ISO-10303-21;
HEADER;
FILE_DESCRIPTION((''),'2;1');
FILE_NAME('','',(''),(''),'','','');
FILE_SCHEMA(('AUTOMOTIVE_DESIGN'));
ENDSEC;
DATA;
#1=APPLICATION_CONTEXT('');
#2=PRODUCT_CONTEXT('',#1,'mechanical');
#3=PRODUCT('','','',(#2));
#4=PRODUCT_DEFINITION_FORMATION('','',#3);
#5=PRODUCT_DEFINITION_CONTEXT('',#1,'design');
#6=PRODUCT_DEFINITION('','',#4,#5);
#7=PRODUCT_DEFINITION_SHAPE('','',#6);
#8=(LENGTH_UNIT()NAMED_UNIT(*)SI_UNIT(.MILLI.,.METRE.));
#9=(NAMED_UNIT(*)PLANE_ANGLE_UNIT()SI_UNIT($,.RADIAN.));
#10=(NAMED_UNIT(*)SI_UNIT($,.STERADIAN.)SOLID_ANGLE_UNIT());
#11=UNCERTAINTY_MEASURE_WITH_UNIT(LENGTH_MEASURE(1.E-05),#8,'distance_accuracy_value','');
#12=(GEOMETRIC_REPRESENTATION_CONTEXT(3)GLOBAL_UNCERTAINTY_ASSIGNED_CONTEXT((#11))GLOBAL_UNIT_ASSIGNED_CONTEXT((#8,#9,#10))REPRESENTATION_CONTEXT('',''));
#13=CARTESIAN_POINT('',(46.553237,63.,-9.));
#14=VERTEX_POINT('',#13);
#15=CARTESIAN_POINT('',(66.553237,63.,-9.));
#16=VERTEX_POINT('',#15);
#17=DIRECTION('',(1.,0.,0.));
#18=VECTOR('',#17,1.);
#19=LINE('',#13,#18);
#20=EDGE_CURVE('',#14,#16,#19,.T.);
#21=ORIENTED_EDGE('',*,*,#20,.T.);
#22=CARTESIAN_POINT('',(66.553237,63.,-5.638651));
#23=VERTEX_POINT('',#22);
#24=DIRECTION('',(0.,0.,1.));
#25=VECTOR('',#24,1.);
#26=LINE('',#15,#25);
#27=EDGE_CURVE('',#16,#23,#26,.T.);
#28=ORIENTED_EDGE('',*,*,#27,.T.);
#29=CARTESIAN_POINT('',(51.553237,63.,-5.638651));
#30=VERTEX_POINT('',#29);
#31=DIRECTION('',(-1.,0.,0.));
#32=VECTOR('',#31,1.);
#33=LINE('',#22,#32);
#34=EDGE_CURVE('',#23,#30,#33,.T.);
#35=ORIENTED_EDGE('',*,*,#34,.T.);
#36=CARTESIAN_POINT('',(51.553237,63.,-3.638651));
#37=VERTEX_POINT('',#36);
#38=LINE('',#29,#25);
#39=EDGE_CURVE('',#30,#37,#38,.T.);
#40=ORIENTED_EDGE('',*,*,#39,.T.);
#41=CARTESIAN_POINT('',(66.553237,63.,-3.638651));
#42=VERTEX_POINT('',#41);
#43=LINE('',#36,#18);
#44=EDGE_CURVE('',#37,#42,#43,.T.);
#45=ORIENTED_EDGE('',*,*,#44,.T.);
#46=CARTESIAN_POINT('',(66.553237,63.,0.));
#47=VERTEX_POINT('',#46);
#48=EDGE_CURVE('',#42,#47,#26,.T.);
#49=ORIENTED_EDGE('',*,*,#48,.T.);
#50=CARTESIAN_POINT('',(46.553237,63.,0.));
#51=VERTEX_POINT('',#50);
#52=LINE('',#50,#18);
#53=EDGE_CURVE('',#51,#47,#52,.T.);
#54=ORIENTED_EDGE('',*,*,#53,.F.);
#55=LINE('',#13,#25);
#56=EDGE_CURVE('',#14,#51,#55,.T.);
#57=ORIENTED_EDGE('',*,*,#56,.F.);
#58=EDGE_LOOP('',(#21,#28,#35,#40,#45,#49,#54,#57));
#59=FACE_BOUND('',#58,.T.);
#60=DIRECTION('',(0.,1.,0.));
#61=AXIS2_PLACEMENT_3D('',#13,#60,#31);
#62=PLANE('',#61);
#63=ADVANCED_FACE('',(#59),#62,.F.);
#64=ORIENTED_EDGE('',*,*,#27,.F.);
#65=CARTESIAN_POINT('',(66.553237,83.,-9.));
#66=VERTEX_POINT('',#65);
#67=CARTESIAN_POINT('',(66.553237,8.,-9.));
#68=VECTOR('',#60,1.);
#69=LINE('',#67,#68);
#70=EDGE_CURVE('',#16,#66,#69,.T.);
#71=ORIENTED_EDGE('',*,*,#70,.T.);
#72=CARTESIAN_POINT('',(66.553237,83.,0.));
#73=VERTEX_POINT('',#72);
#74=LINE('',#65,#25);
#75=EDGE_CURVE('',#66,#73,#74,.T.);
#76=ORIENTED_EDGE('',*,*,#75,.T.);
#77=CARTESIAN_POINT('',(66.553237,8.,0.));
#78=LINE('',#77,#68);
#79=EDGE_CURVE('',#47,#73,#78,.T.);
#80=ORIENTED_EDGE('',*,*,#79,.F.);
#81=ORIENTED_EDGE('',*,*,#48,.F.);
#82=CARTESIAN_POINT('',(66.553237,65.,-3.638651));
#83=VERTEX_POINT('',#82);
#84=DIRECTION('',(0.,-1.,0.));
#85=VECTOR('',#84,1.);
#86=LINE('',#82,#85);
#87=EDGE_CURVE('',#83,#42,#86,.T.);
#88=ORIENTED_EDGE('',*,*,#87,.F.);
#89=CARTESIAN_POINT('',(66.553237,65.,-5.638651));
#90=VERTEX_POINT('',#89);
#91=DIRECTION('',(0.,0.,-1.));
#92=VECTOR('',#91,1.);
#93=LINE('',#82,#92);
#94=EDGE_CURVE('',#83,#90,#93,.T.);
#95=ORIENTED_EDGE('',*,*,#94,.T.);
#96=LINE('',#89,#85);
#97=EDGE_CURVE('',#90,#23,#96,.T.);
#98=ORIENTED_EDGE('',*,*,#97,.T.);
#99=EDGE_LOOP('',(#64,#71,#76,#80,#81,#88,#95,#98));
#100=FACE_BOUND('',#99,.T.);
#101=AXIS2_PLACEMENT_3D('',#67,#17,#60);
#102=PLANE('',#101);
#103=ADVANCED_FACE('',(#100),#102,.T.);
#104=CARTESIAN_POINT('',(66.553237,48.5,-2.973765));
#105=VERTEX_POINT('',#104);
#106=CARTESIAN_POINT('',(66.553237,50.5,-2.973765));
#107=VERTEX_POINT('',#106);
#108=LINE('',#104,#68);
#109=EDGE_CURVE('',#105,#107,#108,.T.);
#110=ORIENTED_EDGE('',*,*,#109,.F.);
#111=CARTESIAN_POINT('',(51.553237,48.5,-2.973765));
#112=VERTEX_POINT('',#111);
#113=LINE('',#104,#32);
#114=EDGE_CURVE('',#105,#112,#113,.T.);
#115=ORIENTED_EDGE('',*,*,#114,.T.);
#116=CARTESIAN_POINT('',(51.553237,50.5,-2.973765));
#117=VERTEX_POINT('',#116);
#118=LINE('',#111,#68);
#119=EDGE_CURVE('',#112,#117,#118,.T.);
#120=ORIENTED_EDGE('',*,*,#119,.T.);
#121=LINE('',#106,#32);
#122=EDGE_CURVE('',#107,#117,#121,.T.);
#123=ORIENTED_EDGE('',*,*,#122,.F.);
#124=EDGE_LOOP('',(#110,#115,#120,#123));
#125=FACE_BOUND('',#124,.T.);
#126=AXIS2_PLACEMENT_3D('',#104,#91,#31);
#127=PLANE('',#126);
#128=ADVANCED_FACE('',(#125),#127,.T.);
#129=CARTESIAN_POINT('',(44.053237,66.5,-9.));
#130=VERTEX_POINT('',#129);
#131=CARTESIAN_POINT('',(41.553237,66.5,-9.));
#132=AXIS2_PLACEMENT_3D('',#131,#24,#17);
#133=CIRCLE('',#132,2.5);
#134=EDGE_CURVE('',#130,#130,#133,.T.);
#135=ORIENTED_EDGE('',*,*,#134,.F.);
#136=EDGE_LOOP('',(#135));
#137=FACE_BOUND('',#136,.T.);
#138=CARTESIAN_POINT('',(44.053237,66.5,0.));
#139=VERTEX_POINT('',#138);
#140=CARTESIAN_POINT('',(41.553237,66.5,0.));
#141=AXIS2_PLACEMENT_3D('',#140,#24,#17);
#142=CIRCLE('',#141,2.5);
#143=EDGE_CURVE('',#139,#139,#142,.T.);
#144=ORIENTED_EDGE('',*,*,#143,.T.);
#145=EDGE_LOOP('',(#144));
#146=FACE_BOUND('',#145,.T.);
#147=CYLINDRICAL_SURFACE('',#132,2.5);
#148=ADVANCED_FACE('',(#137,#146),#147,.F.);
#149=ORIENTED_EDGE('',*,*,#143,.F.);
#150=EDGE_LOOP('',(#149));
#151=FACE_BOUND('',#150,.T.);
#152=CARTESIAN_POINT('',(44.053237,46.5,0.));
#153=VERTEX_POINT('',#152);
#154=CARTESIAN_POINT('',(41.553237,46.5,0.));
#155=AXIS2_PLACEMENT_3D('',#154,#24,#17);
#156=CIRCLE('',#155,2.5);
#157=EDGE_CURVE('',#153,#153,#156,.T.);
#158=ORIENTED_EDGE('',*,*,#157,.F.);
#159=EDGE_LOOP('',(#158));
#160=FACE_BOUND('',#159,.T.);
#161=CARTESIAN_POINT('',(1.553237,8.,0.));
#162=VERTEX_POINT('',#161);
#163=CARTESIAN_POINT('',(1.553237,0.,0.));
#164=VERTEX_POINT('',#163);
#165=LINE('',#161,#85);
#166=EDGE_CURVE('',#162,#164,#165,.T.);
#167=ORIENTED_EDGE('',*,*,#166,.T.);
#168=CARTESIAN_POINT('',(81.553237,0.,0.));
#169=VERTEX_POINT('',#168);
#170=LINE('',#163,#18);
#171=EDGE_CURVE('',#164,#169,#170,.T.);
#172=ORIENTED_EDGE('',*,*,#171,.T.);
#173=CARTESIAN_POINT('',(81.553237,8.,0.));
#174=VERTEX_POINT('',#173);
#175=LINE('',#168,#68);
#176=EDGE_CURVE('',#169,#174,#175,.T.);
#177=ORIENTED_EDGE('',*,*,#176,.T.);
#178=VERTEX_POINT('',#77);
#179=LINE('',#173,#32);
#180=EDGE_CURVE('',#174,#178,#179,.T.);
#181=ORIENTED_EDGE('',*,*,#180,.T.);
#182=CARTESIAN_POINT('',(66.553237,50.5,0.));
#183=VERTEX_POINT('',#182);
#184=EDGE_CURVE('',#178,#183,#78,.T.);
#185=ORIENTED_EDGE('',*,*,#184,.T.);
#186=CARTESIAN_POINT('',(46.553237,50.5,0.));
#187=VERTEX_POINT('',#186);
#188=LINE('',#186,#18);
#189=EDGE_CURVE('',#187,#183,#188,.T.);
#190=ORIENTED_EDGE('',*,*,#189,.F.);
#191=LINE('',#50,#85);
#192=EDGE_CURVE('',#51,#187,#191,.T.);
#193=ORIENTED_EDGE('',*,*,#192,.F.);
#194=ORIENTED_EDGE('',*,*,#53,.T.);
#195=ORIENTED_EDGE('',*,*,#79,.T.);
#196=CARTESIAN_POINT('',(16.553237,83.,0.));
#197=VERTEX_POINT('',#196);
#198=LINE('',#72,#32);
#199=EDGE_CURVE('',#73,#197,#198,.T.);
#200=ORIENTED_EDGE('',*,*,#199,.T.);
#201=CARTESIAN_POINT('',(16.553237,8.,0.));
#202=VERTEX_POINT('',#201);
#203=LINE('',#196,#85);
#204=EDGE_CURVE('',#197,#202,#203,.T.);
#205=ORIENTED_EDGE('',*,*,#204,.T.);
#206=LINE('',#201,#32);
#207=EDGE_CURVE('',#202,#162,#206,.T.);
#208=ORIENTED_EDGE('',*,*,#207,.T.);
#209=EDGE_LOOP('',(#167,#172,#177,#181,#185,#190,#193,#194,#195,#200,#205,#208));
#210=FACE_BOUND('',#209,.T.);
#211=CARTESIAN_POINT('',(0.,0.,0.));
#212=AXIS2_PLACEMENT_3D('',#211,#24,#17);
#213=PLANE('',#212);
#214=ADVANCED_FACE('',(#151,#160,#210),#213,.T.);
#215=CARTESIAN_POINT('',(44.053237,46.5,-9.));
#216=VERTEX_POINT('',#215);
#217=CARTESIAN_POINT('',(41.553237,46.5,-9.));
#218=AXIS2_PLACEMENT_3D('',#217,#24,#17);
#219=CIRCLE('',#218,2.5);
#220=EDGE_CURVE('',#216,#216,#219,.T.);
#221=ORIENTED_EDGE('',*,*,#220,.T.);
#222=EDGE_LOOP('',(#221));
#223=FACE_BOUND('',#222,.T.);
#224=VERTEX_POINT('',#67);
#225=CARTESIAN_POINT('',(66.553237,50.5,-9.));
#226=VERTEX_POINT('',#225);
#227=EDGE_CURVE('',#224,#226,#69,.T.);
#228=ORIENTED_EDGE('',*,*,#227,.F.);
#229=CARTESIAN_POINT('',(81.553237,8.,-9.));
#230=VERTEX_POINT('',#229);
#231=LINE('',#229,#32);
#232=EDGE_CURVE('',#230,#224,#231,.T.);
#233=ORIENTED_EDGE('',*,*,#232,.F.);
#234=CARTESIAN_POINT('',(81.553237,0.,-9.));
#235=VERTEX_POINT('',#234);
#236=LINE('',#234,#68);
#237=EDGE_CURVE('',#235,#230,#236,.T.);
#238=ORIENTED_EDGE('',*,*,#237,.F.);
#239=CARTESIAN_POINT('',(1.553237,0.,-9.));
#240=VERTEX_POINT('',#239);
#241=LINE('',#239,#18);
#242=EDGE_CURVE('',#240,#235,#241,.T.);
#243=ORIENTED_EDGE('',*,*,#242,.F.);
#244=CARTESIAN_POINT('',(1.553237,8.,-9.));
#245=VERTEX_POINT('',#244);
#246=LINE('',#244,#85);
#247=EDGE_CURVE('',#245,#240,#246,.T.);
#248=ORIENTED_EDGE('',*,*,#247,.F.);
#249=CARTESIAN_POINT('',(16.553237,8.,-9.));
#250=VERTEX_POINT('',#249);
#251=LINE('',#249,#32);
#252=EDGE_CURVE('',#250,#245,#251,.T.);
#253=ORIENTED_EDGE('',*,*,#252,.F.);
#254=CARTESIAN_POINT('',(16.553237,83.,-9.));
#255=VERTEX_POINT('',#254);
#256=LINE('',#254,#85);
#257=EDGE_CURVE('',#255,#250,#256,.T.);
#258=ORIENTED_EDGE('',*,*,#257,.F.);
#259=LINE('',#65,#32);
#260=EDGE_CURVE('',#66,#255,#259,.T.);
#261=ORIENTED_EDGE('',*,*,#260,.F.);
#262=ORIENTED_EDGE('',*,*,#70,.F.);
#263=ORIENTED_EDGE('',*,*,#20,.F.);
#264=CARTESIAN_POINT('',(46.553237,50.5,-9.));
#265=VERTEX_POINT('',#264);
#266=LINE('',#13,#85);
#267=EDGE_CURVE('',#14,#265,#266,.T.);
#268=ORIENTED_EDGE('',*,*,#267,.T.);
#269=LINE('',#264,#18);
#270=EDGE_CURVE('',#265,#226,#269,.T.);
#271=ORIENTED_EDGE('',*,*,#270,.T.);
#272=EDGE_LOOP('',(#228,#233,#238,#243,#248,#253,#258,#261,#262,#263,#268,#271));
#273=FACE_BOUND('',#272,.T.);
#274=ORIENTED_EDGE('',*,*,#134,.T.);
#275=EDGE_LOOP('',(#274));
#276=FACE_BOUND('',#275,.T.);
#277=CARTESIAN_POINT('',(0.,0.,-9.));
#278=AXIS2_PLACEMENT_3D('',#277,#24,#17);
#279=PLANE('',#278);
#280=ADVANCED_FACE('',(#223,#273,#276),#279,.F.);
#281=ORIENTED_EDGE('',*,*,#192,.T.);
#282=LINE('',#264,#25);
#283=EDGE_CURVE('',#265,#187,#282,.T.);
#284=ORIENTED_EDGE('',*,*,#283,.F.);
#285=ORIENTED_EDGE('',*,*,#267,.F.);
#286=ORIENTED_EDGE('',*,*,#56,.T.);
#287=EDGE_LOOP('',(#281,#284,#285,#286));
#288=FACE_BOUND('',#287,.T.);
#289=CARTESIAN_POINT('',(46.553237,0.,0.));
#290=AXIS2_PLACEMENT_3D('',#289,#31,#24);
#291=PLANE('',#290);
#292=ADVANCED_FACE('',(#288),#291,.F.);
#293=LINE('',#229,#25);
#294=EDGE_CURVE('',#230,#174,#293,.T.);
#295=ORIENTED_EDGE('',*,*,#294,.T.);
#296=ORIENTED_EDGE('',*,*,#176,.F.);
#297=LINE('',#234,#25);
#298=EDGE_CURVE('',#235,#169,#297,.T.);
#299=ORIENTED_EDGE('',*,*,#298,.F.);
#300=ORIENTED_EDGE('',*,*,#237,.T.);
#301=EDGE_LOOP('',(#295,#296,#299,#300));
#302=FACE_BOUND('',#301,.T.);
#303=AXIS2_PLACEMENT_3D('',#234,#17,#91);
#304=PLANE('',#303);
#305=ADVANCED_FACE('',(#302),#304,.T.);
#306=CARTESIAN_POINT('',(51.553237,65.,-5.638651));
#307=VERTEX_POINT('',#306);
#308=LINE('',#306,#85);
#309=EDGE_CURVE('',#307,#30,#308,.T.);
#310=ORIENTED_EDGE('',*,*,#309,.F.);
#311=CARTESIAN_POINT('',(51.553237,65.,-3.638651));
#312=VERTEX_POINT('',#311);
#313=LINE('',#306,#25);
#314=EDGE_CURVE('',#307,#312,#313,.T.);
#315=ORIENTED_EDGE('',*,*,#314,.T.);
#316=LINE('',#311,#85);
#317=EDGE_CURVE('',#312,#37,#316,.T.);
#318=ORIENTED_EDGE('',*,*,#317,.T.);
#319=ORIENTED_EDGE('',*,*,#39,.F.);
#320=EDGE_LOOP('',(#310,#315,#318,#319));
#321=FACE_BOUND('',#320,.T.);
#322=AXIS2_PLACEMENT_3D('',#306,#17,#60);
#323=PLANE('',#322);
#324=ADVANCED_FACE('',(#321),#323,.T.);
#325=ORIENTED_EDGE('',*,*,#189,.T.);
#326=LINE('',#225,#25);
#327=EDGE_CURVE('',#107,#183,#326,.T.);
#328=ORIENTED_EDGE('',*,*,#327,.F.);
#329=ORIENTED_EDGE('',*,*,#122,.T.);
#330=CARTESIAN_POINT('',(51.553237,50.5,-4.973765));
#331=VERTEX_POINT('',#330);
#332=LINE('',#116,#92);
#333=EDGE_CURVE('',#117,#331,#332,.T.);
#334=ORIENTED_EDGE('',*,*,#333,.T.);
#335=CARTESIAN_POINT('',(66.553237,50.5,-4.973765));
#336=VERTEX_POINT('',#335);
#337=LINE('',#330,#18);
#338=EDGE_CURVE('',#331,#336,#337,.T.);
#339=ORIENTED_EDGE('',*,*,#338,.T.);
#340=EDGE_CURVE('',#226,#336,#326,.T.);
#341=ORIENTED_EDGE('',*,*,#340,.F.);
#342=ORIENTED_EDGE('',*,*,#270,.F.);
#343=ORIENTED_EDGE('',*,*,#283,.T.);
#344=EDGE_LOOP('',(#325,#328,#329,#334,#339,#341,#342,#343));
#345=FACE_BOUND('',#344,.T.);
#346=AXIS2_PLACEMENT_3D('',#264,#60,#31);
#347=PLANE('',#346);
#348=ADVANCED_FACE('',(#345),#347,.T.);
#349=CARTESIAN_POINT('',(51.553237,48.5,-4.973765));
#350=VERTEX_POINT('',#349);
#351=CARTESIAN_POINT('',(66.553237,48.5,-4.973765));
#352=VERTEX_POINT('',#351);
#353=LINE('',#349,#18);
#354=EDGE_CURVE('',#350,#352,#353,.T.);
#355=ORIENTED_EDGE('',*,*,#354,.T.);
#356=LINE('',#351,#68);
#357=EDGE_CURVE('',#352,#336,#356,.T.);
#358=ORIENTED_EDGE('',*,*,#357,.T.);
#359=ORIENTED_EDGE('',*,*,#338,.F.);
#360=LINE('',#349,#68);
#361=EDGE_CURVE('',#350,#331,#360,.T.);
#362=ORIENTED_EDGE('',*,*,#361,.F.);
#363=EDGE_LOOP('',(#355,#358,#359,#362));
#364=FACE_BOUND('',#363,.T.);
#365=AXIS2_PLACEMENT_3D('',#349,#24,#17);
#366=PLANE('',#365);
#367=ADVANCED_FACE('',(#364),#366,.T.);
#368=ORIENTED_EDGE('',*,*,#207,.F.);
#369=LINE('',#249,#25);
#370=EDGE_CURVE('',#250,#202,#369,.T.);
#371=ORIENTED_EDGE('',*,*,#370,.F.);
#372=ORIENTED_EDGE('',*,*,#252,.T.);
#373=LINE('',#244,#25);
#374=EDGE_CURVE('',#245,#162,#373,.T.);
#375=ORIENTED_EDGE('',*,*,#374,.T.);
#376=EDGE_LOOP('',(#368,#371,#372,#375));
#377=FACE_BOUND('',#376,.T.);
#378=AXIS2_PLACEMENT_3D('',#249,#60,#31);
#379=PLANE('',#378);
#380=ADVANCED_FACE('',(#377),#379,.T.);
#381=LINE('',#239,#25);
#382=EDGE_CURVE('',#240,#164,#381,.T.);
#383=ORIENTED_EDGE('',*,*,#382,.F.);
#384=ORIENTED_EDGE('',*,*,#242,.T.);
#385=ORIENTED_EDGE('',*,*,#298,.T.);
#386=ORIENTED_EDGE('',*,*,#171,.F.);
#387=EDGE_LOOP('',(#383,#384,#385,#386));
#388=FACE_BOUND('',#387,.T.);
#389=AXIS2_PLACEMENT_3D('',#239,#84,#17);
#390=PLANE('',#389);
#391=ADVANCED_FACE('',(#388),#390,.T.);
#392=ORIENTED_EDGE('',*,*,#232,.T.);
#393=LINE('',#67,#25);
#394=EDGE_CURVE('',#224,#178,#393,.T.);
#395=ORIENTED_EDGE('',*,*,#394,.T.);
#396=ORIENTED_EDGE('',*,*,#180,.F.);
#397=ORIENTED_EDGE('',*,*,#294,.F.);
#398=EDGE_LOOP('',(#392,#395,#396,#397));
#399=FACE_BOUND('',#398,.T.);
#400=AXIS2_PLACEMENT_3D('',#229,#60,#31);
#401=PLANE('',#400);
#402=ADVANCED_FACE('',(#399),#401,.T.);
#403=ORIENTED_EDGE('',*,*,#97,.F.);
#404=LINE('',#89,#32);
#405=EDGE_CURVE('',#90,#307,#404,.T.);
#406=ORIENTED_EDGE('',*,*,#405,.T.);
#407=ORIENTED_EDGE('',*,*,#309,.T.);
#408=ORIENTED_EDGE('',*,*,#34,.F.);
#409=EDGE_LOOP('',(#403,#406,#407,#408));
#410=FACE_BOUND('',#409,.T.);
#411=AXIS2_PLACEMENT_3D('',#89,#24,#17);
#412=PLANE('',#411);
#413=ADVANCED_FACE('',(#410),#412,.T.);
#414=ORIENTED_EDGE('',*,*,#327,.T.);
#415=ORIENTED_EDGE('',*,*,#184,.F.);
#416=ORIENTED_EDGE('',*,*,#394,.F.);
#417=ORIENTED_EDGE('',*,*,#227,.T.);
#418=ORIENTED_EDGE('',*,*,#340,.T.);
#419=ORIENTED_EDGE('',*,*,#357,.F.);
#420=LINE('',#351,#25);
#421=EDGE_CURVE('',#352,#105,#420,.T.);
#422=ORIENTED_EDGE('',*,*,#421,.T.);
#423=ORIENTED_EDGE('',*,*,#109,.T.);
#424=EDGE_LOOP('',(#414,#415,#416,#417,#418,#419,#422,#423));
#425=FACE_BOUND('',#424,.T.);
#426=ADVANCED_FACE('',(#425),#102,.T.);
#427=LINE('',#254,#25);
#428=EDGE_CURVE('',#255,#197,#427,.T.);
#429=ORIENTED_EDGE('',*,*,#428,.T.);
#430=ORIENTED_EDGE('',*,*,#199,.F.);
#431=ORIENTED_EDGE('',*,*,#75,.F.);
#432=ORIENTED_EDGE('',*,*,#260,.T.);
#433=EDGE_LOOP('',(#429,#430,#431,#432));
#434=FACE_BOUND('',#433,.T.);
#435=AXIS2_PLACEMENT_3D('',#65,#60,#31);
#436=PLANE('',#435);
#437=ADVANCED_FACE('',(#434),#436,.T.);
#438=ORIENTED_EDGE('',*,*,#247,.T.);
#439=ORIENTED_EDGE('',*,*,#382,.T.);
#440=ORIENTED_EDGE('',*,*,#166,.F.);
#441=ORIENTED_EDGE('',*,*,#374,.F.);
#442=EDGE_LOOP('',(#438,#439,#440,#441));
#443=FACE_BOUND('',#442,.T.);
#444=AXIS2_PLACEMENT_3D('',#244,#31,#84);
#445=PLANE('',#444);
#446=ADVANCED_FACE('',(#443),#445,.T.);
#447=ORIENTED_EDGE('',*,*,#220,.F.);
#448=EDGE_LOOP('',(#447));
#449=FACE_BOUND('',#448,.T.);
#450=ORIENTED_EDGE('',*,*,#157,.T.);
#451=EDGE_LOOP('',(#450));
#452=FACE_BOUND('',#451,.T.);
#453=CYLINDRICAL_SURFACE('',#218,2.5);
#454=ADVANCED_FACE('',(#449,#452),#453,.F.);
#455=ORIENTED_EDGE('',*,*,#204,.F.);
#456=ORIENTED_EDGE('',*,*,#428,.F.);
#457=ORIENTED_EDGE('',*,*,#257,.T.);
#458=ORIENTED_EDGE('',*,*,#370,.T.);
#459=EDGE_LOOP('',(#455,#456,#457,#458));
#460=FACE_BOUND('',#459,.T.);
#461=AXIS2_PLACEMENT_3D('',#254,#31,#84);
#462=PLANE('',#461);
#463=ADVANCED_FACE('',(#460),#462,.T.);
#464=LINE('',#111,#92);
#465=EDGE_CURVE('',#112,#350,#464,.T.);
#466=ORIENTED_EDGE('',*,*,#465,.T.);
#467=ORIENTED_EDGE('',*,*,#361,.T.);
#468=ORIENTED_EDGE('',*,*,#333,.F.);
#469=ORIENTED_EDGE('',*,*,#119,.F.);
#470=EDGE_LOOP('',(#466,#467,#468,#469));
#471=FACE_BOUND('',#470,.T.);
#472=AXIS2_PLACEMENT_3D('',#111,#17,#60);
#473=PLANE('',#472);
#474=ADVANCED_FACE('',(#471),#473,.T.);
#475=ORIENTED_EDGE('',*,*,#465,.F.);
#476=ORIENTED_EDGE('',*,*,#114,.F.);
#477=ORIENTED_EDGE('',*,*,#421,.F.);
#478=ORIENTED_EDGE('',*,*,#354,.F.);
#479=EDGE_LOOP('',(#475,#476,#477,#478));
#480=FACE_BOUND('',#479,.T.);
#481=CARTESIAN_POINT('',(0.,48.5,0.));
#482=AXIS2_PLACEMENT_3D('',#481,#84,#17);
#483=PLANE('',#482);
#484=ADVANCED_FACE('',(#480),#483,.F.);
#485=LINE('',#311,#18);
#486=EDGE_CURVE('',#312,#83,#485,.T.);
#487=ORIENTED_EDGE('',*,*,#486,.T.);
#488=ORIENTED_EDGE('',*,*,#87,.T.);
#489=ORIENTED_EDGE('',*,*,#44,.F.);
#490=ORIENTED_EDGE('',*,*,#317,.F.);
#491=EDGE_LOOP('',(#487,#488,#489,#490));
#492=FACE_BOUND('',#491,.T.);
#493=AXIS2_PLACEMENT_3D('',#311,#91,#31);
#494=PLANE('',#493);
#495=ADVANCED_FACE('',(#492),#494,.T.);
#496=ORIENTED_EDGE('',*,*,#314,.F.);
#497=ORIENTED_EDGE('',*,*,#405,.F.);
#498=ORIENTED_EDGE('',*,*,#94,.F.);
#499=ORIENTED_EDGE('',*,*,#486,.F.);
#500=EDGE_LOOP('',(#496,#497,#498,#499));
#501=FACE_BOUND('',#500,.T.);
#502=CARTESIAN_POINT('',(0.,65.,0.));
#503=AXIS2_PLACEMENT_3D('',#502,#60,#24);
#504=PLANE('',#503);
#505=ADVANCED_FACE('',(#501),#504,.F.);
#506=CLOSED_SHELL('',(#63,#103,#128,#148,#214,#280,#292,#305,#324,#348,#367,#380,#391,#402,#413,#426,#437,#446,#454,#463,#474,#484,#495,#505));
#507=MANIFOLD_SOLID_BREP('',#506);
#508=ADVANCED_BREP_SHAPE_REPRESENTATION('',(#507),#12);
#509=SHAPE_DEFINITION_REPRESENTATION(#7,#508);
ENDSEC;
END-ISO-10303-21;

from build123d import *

# Parameters (mm, degrees)
ESQUISSE1_R             = 2.5
BOSS_EXTRU_1_DEPTH      = 9
ESQUISSE2_W             = 9
ESQUISSE2_H             = 12.5
ENL_V_MAT_EXTRU_2_DEPTH = 20
ESQUISSE4_W             = 15
ESQUISSE4_H             = 2
ENL_V_MAT_EXTRU_4_DEPTH = 2
ESQUISSE6_W             = 15
ESQUISSE6_H             = 2
ENL_V_MAT_EXTRU_5_DEPTH = 2


with BuildPart() as part:
    # Esquisse1 → Boss.-Extru.1 (new body)
    with BuildSketch(Plane.XY):
        Polygon((1.553236782, 0), (81.553236782, 0), (81.553236782, 8), (66.553236782, 8), (66.553236782, 83), (16.553236782, 83), (16.553236782, 8), (1.553236782, 8), align=None)
        with Locations((41.553236782, 46.5)):
            Circle(ESQUISSE1_R, mode=Mode.SUBTRACT)
        with Locations((41.553236782, 66.5)):
            Circle(ESQUISSE1_R, mode=Mode.SUBTRACT)
    extrude(amount=-BOSS_EXTRU_1_DEPTH)

    # Esquisse2 → Enlèv. mat.-Extru.2 (cut)
    with BuildSketch(Plane(origin=(66.553236782, 0, 0), x_dir=(0, 0, -1), z_dir=(1, 0, 0))):
        with Locations((4.5, 56.75)):
            Rectangle(ESQUISSE2_W, ESQUISSE2_H)
    extrude(amount=-ENL_V_MAT_EXTRU_2_DEPTH, mode=Mode.SUBTRACT)

    # Esquisse4 → Enlèv. mat.-Extru.4 (cut)
    with BuildSketch(Plane(origin=(0, 50.5, 0), x_dir=(1, 0, 0), z_dir=(0, 1, 0))):
        with Locations((59.053236782, 3.973765147)):
            Rectangle(ESQUISSE4_W, ESQUISSE4_H)
    extrude(amount=-ENL_V_MAT_EXTRU_4_DEPTH, mode=Mode.SUBTRACT)

    # Esquisse6 → Enlèv. mat.-Extru.5 (cut)
    with BuildSketch(Plane.XZ.offset(-63)):
        with Locations((59.053236782, -4.638650815)):
            Rectangle(ESQUISSE6_W, ESQUISSE6_H)
    extrude(amount=-ENL_V_MAT_EXTRU_5_DEPTH, mode=Mode.SUBTRACT)


solid = part.part
